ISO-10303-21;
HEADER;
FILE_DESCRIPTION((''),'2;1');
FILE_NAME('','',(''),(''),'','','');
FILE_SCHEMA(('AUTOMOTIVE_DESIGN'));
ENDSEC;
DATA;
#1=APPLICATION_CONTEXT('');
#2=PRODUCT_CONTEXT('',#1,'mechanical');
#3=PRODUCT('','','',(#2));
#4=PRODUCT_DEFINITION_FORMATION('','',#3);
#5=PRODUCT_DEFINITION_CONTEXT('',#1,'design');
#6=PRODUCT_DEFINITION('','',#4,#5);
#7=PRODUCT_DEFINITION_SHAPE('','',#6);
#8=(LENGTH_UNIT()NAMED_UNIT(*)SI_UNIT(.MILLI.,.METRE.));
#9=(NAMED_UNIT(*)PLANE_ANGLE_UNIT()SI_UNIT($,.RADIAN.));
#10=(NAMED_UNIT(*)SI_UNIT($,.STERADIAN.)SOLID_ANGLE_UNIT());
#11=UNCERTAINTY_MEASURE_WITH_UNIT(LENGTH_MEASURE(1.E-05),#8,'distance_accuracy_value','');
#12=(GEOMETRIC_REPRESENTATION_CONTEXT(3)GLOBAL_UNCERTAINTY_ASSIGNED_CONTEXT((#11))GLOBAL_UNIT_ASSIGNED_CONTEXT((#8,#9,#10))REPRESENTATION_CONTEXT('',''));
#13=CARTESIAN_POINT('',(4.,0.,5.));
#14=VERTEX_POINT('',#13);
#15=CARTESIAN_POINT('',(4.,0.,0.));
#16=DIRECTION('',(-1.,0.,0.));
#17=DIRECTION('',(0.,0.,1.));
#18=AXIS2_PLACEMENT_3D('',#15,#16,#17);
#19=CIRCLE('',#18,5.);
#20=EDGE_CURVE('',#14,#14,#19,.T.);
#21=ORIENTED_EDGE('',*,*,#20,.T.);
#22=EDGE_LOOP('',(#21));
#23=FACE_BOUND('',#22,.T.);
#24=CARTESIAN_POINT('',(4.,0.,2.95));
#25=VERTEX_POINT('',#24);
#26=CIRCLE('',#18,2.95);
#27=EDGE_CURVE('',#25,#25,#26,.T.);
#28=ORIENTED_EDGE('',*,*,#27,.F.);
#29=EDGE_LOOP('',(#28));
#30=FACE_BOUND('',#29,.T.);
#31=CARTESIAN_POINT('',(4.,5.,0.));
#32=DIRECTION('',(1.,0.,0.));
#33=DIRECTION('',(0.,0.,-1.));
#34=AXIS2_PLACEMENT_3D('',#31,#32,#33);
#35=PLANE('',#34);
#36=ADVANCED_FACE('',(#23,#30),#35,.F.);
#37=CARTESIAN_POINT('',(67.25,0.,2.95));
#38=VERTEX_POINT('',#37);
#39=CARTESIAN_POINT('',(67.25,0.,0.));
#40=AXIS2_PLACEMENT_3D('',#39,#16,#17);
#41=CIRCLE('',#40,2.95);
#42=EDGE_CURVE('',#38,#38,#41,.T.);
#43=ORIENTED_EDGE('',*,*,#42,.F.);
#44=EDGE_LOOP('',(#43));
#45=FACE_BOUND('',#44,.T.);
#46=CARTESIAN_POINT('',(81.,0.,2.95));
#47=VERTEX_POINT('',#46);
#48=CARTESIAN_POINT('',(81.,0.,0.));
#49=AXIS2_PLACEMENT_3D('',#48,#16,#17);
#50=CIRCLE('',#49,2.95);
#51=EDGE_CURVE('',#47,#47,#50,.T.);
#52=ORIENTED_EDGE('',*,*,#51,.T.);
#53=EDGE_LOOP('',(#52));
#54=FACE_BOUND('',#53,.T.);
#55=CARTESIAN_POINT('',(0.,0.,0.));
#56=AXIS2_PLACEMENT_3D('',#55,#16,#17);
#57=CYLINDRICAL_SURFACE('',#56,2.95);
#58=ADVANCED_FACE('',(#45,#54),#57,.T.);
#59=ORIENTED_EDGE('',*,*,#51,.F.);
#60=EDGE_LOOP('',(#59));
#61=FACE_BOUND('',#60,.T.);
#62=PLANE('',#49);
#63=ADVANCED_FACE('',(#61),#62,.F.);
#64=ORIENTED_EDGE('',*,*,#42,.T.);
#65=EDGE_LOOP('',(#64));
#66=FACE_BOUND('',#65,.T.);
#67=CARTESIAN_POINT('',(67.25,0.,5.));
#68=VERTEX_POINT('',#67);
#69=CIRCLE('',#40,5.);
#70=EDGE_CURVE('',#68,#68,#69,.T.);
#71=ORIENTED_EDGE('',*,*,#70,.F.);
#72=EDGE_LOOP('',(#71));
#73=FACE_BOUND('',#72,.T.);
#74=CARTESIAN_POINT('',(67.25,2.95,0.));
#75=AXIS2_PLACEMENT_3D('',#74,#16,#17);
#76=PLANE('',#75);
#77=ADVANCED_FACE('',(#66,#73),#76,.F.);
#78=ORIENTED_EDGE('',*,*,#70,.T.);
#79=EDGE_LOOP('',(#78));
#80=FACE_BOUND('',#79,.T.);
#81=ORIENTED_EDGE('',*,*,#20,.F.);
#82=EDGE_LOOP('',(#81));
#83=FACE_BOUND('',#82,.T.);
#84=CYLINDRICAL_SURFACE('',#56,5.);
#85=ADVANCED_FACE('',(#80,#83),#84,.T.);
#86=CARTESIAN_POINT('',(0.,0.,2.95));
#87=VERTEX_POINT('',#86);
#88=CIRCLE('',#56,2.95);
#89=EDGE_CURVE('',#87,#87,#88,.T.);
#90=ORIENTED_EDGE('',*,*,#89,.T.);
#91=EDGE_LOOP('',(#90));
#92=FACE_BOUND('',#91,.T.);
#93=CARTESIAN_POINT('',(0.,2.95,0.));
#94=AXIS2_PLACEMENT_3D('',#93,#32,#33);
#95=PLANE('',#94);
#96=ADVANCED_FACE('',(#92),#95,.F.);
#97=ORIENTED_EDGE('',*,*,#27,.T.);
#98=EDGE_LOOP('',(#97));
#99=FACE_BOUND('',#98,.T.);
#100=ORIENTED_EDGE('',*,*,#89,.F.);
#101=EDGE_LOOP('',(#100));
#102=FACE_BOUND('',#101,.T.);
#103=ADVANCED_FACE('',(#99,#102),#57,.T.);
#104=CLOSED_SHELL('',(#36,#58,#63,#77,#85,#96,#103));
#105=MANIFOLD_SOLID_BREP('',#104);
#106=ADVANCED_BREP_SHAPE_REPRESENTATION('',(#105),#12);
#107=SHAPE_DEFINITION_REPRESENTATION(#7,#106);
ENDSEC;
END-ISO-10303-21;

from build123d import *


with BuildPart() as part:
    # Sketch1 → Revolve1 (revolve)
    with BuildSketch(Plane.XY):
        Polygon((0, 0), (81, 0), (81, 2.95), (67.25, 2.95), (67.25, 5), (4, 5), (4, 2.95), (0, 2.95), align=None)
    revolve(axis=Axis((0, 0, 0), (1, 0, 0)))


solid = part.part
